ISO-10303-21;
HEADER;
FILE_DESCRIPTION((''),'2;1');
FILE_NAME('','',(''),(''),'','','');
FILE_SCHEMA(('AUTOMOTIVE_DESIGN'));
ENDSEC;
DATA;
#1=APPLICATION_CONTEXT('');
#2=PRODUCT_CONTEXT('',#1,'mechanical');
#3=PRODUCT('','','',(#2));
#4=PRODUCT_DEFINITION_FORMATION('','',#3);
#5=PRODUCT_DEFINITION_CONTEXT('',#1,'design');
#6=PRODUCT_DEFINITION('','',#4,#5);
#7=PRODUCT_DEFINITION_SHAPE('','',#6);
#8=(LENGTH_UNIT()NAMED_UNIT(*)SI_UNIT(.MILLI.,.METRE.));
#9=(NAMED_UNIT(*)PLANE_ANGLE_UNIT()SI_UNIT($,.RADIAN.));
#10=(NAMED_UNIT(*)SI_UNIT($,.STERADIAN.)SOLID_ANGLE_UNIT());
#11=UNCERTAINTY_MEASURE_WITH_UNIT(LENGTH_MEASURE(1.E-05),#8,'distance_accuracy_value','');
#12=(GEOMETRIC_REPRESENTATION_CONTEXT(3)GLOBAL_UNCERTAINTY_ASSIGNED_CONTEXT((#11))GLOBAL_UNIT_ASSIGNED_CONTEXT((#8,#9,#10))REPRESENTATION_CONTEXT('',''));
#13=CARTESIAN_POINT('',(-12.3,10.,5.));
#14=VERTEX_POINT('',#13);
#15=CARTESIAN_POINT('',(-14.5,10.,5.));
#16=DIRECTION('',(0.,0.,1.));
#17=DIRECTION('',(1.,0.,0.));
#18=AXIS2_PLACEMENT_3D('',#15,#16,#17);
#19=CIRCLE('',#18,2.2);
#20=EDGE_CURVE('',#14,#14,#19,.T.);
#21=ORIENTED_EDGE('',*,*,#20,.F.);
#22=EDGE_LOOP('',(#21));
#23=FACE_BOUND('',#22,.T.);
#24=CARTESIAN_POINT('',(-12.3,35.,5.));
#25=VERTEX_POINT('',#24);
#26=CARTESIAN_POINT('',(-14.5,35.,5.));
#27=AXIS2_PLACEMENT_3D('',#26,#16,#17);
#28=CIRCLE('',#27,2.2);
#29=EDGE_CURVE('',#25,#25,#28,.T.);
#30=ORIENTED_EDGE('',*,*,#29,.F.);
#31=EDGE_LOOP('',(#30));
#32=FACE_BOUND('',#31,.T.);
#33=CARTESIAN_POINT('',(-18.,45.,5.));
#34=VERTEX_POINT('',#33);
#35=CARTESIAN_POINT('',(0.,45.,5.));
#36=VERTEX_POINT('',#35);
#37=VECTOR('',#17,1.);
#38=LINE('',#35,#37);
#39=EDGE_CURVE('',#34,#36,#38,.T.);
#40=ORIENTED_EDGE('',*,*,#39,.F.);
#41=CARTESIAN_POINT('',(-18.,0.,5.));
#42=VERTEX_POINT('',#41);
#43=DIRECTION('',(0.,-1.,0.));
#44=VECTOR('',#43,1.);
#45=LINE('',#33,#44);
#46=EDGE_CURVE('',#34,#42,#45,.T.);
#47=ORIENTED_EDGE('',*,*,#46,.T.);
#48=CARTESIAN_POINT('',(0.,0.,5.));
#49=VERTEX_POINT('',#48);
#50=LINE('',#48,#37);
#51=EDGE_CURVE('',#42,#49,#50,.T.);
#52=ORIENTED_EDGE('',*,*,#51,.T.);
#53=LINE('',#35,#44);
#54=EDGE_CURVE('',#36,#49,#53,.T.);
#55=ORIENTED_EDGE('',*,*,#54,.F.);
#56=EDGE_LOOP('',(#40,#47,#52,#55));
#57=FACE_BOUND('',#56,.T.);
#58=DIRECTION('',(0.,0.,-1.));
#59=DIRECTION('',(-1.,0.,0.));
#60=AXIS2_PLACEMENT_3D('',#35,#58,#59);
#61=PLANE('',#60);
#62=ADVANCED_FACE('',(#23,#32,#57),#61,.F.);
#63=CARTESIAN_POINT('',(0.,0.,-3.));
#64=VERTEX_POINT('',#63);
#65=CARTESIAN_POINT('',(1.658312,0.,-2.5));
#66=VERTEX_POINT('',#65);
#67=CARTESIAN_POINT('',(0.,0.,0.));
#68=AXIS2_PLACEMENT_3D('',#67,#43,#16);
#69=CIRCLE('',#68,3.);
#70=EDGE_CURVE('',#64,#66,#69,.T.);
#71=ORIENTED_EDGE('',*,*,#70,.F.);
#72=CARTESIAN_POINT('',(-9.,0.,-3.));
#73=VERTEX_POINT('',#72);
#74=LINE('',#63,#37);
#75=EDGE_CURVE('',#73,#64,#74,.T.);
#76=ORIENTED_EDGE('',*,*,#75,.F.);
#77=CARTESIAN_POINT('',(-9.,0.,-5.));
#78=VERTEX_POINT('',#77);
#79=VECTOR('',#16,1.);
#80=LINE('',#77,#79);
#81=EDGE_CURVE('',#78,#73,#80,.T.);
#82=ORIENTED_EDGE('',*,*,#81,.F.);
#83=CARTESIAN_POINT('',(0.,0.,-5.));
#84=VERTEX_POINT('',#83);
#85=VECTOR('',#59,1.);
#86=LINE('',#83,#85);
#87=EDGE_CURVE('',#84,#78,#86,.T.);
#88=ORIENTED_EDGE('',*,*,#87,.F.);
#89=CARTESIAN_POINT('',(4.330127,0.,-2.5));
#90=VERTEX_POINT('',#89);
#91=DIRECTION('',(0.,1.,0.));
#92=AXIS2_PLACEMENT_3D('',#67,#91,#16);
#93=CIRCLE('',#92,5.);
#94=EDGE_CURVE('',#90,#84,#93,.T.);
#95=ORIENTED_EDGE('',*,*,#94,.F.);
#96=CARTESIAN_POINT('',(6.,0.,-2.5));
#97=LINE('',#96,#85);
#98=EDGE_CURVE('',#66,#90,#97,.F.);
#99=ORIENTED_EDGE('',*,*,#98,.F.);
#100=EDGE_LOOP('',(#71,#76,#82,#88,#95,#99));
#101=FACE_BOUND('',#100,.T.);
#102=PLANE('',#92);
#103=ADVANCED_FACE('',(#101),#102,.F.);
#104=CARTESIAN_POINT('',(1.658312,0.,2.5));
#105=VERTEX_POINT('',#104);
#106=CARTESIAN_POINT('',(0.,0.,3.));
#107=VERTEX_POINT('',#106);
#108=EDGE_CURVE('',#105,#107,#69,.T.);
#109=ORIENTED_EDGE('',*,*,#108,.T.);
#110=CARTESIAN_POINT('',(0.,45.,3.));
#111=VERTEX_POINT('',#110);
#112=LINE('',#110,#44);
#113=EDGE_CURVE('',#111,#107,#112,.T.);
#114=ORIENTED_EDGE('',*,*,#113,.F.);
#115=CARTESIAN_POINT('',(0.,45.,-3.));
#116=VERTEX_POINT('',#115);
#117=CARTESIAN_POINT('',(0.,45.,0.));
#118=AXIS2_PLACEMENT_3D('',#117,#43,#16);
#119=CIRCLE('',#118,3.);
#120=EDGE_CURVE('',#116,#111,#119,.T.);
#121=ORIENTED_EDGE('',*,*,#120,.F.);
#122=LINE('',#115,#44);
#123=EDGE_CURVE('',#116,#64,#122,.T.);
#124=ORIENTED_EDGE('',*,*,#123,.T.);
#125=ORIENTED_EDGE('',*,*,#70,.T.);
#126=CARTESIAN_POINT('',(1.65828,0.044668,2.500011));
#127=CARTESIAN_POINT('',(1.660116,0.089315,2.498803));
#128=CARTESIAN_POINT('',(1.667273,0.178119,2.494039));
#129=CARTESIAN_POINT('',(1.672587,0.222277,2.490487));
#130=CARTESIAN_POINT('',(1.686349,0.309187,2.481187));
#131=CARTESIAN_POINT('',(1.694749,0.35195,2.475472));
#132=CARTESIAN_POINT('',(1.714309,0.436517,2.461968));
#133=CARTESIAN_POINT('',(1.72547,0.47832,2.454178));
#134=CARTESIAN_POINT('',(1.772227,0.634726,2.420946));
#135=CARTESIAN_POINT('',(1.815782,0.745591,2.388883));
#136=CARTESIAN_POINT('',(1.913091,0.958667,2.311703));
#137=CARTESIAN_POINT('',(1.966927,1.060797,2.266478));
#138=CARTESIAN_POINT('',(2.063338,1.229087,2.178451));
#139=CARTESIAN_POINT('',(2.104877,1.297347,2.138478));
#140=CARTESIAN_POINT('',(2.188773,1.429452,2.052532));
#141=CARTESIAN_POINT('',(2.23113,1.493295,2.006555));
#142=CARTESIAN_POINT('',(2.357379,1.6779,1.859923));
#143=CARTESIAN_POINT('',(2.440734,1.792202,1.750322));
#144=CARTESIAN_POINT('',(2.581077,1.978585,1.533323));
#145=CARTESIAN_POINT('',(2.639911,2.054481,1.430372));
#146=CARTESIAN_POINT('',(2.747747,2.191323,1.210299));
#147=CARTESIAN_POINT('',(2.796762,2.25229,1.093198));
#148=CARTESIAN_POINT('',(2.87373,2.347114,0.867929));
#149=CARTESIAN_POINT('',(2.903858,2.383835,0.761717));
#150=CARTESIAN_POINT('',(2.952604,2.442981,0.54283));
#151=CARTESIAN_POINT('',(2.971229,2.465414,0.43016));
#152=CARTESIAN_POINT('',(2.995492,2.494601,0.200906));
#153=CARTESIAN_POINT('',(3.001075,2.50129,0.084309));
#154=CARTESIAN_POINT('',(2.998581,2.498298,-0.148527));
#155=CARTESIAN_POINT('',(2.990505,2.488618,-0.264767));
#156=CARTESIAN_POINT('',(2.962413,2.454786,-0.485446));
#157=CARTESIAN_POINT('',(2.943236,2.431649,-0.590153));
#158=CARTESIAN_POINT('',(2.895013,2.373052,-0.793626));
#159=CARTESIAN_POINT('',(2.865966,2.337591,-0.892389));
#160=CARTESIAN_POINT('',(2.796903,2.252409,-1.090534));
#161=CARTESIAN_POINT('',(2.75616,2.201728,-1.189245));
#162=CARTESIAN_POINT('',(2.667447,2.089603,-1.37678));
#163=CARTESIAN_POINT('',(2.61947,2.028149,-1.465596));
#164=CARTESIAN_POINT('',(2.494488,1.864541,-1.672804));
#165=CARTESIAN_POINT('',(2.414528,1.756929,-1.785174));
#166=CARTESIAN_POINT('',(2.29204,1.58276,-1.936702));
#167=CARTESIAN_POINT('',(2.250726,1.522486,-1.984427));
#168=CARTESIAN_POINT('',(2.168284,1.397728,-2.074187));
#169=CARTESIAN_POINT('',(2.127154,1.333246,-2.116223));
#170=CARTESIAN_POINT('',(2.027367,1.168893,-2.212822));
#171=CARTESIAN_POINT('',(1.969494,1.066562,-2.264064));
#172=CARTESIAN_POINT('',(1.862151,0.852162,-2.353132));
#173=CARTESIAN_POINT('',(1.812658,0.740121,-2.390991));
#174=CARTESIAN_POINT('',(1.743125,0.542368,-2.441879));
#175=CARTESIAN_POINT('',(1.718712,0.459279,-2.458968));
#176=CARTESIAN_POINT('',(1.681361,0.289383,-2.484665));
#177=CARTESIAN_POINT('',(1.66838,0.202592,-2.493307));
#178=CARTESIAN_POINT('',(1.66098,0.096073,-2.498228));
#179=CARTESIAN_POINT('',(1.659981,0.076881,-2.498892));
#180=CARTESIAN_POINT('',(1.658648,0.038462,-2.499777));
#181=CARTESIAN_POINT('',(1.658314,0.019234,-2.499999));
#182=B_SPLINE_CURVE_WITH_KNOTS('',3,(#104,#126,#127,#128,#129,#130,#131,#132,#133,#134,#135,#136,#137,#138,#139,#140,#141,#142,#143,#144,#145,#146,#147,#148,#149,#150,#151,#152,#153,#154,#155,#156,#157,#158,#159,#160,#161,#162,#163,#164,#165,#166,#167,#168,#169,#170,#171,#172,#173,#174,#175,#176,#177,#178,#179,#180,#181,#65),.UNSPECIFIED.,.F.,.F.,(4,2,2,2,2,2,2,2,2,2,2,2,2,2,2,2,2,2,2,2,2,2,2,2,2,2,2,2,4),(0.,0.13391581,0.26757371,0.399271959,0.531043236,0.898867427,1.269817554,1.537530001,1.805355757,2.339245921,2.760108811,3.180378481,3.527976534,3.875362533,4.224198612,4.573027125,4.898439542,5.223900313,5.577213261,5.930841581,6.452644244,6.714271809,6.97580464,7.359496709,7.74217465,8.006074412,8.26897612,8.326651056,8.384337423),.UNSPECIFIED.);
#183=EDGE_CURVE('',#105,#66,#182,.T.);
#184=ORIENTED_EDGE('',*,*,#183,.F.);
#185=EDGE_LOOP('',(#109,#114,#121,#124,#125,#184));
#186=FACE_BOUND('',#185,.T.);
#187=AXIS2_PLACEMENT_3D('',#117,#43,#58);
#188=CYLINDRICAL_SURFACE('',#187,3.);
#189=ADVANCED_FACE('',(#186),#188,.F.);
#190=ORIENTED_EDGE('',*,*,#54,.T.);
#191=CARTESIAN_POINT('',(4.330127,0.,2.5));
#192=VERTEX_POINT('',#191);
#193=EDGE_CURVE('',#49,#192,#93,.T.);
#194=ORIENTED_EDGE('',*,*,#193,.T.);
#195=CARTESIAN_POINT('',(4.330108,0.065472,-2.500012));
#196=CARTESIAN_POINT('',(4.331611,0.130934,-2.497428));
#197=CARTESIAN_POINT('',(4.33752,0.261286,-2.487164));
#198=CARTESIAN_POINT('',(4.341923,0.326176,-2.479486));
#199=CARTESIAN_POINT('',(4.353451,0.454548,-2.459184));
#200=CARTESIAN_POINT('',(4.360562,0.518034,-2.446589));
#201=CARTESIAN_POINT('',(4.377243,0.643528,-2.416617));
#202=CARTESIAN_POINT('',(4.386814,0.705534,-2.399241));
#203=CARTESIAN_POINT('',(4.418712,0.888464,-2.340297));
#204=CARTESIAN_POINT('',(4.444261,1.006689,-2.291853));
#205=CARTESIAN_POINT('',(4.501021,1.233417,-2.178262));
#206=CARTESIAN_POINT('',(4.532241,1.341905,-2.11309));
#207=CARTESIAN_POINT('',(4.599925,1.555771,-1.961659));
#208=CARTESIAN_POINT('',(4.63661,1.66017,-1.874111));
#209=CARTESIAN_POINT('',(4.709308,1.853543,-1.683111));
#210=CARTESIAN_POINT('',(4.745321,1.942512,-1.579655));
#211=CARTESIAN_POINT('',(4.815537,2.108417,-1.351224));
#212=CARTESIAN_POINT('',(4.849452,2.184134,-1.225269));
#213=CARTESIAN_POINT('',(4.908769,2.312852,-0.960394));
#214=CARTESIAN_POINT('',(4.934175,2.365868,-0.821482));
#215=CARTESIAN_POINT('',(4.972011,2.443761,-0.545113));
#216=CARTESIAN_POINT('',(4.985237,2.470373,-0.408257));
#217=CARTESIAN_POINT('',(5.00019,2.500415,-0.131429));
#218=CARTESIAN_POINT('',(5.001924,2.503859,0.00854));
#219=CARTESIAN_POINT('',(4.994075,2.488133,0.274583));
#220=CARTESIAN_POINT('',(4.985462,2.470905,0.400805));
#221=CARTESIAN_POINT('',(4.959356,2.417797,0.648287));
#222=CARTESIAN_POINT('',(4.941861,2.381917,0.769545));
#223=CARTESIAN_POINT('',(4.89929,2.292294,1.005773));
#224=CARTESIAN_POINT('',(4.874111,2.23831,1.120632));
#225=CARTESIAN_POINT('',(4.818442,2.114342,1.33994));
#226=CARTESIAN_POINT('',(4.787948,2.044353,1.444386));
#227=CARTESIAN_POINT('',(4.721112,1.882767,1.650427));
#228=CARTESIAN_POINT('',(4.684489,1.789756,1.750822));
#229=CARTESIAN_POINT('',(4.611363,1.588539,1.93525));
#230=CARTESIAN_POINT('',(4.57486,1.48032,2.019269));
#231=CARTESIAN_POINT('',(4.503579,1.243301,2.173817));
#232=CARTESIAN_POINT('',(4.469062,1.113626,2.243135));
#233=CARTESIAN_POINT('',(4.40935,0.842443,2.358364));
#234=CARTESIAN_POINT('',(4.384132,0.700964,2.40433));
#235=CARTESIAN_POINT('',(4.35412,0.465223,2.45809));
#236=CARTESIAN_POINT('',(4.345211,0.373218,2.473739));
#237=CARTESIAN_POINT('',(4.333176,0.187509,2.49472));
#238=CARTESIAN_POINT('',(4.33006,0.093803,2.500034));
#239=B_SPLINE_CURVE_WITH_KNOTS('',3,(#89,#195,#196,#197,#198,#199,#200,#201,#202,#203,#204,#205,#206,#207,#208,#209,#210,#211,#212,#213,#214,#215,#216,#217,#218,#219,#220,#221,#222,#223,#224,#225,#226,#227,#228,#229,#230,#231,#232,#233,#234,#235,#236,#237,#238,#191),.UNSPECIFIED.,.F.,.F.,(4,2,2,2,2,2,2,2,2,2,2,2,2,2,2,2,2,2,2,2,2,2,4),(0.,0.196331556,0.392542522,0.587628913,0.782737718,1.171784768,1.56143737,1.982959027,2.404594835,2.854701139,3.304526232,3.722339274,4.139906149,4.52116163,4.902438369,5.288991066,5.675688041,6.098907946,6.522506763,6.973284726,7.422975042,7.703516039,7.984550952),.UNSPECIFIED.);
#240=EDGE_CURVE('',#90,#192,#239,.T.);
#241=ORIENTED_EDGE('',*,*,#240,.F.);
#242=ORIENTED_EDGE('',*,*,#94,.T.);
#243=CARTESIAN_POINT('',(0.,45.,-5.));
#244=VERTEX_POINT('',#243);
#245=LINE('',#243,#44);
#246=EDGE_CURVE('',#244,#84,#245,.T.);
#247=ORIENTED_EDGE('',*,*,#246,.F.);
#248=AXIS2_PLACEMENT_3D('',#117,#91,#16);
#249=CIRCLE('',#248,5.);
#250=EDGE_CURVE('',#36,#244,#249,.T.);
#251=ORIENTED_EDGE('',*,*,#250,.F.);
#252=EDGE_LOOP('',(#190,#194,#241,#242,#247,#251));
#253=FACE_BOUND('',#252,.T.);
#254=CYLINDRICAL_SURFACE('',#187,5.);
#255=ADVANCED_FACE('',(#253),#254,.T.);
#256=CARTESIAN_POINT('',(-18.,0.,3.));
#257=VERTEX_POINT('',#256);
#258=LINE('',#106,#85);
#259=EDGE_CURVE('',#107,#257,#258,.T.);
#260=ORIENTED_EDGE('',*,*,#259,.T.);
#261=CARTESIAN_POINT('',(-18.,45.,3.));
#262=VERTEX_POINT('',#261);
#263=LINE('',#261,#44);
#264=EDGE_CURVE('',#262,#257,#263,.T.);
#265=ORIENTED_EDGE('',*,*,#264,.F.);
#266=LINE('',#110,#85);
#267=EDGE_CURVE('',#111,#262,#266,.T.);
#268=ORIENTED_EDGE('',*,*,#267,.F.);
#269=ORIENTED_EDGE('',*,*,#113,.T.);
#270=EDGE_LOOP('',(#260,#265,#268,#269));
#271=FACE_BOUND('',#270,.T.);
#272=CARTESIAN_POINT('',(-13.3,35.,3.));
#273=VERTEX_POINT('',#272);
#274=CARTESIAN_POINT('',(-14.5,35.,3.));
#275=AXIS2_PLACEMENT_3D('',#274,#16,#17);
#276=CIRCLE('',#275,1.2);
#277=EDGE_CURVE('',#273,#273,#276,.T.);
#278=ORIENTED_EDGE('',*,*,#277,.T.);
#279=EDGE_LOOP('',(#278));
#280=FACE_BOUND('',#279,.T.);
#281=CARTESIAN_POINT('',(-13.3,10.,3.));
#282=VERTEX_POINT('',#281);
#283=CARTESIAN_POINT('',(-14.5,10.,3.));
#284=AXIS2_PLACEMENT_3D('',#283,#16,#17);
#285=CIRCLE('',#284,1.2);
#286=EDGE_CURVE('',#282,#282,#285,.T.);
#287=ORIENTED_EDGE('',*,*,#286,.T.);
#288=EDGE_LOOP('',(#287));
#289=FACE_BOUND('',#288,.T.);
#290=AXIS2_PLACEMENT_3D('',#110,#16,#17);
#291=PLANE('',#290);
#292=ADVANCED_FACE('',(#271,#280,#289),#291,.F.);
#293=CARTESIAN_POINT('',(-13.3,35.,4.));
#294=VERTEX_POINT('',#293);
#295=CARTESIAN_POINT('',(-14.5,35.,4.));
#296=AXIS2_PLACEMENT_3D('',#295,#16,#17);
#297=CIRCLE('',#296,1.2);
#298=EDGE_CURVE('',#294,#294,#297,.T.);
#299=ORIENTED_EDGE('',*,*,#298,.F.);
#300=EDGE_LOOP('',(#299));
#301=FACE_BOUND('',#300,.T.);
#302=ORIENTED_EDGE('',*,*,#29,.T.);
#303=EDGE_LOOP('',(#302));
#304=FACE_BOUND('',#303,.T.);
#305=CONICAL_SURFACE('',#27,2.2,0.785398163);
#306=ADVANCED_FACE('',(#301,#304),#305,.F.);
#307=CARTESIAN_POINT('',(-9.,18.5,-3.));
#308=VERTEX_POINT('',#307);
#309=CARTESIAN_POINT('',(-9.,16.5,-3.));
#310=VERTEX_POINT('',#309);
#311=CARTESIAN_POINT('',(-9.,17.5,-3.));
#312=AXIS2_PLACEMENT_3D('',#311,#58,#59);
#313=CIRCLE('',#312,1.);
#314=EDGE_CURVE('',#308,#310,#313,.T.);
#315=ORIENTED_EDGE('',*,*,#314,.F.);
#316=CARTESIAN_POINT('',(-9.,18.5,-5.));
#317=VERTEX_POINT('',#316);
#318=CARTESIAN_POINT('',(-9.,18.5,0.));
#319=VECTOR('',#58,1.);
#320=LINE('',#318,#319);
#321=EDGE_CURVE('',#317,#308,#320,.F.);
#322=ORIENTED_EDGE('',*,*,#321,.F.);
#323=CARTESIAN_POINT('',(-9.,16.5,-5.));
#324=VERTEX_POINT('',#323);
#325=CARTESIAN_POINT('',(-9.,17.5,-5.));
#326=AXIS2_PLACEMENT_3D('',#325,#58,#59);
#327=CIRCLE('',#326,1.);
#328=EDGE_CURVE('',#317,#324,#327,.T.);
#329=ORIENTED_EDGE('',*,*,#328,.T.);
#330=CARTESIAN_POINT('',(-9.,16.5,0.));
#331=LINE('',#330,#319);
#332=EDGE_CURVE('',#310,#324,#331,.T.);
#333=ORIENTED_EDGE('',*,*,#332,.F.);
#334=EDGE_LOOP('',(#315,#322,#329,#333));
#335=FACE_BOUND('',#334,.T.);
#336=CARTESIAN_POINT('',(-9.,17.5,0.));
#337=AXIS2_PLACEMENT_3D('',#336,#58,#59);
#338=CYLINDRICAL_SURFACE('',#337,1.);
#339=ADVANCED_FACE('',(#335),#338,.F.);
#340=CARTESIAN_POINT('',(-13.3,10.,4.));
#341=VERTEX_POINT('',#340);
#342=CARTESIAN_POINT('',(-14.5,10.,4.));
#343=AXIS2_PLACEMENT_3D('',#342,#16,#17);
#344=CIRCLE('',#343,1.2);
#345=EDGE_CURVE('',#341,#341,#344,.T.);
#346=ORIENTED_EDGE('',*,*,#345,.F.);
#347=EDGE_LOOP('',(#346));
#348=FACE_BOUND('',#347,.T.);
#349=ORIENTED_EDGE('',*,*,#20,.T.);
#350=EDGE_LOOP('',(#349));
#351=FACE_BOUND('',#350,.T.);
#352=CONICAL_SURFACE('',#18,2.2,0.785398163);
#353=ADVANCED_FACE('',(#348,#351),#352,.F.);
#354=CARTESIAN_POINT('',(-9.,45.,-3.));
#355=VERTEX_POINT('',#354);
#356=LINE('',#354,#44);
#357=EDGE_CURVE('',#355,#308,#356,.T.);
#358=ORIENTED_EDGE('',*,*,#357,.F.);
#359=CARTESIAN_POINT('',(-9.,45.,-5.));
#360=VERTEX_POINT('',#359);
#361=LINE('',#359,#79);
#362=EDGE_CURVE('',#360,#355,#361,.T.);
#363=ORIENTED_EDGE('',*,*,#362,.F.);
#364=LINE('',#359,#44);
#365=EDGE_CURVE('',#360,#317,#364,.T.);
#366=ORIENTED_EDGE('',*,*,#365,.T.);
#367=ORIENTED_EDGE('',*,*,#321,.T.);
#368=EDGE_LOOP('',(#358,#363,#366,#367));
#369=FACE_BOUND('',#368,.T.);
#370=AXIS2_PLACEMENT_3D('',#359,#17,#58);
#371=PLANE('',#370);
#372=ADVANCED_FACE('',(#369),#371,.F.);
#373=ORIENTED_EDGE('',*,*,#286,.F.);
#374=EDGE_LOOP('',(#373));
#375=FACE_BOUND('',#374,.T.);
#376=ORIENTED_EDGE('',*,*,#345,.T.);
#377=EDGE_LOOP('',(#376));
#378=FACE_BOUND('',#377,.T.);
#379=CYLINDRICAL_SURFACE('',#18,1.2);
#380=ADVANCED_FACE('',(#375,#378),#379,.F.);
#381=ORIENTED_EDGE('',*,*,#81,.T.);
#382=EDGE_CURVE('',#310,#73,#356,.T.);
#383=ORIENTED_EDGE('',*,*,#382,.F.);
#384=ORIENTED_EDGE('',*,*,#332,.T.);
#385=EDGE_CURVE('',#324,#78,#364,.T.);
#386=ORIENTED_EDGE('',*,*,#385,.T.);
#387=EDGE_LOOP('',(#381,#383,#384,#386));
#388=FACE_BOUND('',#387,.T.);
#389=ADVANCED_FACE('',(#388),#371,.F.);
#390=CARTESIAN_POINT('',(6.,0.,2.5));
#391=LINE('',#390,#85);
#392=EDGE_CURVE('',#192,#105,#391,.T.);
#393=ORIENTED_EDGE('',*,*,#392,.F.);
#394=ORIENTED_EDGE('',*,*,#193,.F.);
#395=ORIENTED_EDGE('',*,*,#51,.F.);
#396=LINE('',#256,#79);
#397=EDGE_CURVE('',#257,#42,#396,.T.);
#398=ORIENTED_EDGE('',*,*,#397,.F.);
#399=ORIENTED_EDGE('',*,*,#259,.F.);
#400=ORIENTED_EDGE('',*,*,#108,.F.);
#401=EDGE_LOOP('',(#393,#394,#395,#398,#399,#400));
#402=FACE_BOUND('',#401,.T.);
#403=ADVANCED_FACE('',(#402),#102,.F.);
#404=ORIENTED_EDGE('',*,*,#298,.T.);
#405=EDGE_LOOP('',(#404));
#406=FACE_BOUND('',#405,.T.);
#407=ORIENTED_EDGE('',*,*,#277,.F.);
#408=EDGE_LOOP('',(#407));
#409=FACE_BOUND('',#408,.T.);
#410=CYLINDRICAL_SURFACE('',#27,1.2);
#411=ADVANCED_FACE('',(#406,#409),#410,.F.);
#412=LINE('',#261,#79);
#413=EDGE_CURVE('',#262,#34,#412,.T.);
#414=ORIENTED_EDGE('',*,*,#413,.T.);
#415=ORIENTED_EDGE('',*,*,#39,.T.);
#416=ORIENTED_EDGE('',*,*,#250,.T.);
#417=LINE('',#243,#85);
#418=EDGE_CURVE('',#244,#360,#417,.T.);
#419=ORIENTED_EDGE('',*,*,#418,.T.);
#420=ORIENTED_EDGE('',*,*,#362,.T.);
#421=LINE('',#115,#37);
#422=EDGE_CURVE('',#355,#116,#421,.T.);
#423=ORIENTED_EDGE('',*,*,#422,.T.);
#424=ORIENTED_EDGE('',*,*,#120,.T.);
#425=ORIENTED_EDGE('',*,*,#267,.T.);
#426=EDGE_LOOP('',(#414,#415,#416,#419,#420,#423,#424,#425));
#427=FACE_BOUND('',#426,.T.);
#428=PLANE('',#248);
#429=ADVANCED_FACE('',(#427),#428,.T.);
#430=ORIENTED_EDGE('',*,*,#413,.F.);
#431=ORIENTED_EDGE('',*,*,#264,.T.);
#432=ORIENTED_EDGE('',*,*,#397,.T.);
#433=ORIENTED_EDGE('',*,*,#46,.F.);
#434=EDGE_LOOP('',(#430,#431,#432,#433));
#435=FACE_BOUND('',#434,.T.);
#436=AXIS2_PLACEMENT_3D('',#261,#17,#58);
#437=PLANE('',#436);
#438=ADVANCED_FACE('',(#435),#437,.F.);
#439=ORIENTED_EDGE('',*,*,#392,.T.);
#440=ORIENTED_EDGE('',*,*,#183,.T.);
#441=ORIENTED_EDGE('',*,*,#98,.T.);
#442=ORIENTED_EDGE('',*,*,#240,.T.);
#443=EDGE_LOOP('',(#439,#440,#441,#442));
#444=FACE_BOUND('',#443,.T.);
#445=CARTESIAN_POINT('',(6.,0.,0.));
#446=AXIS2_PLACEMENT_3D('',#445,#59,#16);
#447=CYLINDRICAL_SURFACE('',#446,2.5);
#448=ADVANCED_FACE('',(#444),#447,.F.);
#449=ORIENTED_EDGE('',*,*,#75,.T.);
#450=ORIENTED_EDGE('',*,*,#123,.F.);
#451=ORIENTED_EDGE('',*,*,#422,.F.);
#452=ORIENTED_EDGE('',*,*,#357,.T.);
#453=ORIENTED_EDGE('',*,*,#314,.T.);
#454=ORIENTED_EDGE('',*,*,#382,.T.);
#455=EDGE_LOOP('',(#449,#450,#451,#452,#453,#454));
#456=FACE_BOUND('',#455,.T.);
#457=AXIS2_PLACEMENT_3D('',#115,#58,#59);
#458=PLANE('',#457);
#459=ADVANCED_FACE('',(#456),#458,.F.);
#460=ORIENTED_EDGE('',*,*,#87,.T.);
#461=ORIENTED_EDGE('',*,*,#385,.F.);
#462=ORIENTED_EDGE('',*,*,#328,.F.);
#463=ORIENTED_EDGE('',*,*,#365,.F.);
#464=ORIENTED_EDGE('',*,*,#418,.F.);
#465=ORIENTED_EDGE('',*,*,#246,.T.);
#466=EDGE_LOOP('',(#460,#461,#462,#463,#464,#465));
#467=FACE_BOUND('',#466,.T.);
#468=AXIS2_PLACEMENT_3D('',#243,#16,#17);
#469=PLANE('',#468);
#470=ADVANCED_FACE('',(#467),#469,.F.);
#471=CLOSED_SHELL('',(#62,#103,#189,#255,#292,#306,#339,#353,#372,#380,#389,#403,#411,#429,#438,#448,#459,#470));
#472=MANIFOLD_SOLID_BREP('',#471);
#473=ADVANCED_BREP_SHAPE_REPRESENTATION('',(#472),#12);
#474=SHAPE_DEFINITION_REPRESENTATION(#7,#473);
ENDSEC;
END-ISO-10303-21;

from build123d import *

# Parameters (mm, degrees)
BOSS_EXTRUDE1_DEPTH                                 = 45
SKETCH2_R                                           = 1
CUT_EXTRUDE1_DEPTH                                  = 5
SKETCH3_R                                           = 2.5
CUT_EXTRUDE2_DEPTH                                  = 6
CSK_FOR_M2_COUNTERSUNK_FLAT_HEAD_SCREW1_D           = 2.4
CSK_FOR_M2_COUNTERSUNK_FLAT_HEAD_SCREW1_CSINK_D     = 4.4
CSK_FOR_M2_COUNTERSUNK_FLAT_HEAD_SCREW1_CSINK_ANGLE = 90


with BuildPart() as part:
    # Sketch1 → Boss-Extrude1 (new body)
    with BuildSketch(Plane(origin=(0, 0, 0), x_dir=(1, 0, 0), z_dir=(0, 1, 0))):
        with BuildLine():
            Line((0, 3), (-9, 3))
            Line((-9, 3), (-9, 5))
            Line((-9, 5), (0, 5))
            ThreePointArc((0, 5), (5, 0), (0, -5))
            Line((0, -5), (-18, -5))
            Line((-18, -5), (-18, -3))
            Line((-18, -3), (0, -3))
            ThreePointArc((0, -3), (3, 0), (0, 3))
        make_face()
    extrude(amount=BOSS_EXTRUDE1_DEPTH)

    # Sketch2 → Cut-Extrude1 (cut)
    with BuildSketch(Plane(origin=(0, 0, -5), x_dir=(-1, 0, 0), z_dir=(0, 0, -1))):
        with Locations((9, 17.5)):
            Circle(SKETCH2_R)
    extrude(amount=-CUT_EXTRUDE1_DEPTH, mode=Mode.SUBTRACT)

    # Sketch3 → Cut-Extrude2 (cut)
    with BuildSketch(Plane(origin=(0, 0, 0), x_dir=(0, 0, -1), z_dir=(1, 0, 0))):
        Circle(SKETCH3_R)
    extrude(amount=CUT_EXTRUDE2_DEPTH, mode=Mode.SUBTRACT)

    # CSK for M2 Countersunk Flat Head Screw1 (through all)
    with Locations(Plane(origin=(-14.5, 35, 5), x_dir=(1, 0, 0), z_dir=(0, 0, 1))):
        with Locations((0, 0), (0, -25)):
            CounterSinkHole(CSK_FOR_M2_COUNTERSUNK_FLAT_HEAD_SCREW1_D / 2, CSK_FOR_M2_COUNTERSUNK_FLAT_HEAD_SCREW1_CSINK_D / 2, counter_sink_angle=CSK_FOR_M2_COUNTERSUNK_FLAT_HEAD_SCREW1_CSINK_ANGLE)


solid = part.part
